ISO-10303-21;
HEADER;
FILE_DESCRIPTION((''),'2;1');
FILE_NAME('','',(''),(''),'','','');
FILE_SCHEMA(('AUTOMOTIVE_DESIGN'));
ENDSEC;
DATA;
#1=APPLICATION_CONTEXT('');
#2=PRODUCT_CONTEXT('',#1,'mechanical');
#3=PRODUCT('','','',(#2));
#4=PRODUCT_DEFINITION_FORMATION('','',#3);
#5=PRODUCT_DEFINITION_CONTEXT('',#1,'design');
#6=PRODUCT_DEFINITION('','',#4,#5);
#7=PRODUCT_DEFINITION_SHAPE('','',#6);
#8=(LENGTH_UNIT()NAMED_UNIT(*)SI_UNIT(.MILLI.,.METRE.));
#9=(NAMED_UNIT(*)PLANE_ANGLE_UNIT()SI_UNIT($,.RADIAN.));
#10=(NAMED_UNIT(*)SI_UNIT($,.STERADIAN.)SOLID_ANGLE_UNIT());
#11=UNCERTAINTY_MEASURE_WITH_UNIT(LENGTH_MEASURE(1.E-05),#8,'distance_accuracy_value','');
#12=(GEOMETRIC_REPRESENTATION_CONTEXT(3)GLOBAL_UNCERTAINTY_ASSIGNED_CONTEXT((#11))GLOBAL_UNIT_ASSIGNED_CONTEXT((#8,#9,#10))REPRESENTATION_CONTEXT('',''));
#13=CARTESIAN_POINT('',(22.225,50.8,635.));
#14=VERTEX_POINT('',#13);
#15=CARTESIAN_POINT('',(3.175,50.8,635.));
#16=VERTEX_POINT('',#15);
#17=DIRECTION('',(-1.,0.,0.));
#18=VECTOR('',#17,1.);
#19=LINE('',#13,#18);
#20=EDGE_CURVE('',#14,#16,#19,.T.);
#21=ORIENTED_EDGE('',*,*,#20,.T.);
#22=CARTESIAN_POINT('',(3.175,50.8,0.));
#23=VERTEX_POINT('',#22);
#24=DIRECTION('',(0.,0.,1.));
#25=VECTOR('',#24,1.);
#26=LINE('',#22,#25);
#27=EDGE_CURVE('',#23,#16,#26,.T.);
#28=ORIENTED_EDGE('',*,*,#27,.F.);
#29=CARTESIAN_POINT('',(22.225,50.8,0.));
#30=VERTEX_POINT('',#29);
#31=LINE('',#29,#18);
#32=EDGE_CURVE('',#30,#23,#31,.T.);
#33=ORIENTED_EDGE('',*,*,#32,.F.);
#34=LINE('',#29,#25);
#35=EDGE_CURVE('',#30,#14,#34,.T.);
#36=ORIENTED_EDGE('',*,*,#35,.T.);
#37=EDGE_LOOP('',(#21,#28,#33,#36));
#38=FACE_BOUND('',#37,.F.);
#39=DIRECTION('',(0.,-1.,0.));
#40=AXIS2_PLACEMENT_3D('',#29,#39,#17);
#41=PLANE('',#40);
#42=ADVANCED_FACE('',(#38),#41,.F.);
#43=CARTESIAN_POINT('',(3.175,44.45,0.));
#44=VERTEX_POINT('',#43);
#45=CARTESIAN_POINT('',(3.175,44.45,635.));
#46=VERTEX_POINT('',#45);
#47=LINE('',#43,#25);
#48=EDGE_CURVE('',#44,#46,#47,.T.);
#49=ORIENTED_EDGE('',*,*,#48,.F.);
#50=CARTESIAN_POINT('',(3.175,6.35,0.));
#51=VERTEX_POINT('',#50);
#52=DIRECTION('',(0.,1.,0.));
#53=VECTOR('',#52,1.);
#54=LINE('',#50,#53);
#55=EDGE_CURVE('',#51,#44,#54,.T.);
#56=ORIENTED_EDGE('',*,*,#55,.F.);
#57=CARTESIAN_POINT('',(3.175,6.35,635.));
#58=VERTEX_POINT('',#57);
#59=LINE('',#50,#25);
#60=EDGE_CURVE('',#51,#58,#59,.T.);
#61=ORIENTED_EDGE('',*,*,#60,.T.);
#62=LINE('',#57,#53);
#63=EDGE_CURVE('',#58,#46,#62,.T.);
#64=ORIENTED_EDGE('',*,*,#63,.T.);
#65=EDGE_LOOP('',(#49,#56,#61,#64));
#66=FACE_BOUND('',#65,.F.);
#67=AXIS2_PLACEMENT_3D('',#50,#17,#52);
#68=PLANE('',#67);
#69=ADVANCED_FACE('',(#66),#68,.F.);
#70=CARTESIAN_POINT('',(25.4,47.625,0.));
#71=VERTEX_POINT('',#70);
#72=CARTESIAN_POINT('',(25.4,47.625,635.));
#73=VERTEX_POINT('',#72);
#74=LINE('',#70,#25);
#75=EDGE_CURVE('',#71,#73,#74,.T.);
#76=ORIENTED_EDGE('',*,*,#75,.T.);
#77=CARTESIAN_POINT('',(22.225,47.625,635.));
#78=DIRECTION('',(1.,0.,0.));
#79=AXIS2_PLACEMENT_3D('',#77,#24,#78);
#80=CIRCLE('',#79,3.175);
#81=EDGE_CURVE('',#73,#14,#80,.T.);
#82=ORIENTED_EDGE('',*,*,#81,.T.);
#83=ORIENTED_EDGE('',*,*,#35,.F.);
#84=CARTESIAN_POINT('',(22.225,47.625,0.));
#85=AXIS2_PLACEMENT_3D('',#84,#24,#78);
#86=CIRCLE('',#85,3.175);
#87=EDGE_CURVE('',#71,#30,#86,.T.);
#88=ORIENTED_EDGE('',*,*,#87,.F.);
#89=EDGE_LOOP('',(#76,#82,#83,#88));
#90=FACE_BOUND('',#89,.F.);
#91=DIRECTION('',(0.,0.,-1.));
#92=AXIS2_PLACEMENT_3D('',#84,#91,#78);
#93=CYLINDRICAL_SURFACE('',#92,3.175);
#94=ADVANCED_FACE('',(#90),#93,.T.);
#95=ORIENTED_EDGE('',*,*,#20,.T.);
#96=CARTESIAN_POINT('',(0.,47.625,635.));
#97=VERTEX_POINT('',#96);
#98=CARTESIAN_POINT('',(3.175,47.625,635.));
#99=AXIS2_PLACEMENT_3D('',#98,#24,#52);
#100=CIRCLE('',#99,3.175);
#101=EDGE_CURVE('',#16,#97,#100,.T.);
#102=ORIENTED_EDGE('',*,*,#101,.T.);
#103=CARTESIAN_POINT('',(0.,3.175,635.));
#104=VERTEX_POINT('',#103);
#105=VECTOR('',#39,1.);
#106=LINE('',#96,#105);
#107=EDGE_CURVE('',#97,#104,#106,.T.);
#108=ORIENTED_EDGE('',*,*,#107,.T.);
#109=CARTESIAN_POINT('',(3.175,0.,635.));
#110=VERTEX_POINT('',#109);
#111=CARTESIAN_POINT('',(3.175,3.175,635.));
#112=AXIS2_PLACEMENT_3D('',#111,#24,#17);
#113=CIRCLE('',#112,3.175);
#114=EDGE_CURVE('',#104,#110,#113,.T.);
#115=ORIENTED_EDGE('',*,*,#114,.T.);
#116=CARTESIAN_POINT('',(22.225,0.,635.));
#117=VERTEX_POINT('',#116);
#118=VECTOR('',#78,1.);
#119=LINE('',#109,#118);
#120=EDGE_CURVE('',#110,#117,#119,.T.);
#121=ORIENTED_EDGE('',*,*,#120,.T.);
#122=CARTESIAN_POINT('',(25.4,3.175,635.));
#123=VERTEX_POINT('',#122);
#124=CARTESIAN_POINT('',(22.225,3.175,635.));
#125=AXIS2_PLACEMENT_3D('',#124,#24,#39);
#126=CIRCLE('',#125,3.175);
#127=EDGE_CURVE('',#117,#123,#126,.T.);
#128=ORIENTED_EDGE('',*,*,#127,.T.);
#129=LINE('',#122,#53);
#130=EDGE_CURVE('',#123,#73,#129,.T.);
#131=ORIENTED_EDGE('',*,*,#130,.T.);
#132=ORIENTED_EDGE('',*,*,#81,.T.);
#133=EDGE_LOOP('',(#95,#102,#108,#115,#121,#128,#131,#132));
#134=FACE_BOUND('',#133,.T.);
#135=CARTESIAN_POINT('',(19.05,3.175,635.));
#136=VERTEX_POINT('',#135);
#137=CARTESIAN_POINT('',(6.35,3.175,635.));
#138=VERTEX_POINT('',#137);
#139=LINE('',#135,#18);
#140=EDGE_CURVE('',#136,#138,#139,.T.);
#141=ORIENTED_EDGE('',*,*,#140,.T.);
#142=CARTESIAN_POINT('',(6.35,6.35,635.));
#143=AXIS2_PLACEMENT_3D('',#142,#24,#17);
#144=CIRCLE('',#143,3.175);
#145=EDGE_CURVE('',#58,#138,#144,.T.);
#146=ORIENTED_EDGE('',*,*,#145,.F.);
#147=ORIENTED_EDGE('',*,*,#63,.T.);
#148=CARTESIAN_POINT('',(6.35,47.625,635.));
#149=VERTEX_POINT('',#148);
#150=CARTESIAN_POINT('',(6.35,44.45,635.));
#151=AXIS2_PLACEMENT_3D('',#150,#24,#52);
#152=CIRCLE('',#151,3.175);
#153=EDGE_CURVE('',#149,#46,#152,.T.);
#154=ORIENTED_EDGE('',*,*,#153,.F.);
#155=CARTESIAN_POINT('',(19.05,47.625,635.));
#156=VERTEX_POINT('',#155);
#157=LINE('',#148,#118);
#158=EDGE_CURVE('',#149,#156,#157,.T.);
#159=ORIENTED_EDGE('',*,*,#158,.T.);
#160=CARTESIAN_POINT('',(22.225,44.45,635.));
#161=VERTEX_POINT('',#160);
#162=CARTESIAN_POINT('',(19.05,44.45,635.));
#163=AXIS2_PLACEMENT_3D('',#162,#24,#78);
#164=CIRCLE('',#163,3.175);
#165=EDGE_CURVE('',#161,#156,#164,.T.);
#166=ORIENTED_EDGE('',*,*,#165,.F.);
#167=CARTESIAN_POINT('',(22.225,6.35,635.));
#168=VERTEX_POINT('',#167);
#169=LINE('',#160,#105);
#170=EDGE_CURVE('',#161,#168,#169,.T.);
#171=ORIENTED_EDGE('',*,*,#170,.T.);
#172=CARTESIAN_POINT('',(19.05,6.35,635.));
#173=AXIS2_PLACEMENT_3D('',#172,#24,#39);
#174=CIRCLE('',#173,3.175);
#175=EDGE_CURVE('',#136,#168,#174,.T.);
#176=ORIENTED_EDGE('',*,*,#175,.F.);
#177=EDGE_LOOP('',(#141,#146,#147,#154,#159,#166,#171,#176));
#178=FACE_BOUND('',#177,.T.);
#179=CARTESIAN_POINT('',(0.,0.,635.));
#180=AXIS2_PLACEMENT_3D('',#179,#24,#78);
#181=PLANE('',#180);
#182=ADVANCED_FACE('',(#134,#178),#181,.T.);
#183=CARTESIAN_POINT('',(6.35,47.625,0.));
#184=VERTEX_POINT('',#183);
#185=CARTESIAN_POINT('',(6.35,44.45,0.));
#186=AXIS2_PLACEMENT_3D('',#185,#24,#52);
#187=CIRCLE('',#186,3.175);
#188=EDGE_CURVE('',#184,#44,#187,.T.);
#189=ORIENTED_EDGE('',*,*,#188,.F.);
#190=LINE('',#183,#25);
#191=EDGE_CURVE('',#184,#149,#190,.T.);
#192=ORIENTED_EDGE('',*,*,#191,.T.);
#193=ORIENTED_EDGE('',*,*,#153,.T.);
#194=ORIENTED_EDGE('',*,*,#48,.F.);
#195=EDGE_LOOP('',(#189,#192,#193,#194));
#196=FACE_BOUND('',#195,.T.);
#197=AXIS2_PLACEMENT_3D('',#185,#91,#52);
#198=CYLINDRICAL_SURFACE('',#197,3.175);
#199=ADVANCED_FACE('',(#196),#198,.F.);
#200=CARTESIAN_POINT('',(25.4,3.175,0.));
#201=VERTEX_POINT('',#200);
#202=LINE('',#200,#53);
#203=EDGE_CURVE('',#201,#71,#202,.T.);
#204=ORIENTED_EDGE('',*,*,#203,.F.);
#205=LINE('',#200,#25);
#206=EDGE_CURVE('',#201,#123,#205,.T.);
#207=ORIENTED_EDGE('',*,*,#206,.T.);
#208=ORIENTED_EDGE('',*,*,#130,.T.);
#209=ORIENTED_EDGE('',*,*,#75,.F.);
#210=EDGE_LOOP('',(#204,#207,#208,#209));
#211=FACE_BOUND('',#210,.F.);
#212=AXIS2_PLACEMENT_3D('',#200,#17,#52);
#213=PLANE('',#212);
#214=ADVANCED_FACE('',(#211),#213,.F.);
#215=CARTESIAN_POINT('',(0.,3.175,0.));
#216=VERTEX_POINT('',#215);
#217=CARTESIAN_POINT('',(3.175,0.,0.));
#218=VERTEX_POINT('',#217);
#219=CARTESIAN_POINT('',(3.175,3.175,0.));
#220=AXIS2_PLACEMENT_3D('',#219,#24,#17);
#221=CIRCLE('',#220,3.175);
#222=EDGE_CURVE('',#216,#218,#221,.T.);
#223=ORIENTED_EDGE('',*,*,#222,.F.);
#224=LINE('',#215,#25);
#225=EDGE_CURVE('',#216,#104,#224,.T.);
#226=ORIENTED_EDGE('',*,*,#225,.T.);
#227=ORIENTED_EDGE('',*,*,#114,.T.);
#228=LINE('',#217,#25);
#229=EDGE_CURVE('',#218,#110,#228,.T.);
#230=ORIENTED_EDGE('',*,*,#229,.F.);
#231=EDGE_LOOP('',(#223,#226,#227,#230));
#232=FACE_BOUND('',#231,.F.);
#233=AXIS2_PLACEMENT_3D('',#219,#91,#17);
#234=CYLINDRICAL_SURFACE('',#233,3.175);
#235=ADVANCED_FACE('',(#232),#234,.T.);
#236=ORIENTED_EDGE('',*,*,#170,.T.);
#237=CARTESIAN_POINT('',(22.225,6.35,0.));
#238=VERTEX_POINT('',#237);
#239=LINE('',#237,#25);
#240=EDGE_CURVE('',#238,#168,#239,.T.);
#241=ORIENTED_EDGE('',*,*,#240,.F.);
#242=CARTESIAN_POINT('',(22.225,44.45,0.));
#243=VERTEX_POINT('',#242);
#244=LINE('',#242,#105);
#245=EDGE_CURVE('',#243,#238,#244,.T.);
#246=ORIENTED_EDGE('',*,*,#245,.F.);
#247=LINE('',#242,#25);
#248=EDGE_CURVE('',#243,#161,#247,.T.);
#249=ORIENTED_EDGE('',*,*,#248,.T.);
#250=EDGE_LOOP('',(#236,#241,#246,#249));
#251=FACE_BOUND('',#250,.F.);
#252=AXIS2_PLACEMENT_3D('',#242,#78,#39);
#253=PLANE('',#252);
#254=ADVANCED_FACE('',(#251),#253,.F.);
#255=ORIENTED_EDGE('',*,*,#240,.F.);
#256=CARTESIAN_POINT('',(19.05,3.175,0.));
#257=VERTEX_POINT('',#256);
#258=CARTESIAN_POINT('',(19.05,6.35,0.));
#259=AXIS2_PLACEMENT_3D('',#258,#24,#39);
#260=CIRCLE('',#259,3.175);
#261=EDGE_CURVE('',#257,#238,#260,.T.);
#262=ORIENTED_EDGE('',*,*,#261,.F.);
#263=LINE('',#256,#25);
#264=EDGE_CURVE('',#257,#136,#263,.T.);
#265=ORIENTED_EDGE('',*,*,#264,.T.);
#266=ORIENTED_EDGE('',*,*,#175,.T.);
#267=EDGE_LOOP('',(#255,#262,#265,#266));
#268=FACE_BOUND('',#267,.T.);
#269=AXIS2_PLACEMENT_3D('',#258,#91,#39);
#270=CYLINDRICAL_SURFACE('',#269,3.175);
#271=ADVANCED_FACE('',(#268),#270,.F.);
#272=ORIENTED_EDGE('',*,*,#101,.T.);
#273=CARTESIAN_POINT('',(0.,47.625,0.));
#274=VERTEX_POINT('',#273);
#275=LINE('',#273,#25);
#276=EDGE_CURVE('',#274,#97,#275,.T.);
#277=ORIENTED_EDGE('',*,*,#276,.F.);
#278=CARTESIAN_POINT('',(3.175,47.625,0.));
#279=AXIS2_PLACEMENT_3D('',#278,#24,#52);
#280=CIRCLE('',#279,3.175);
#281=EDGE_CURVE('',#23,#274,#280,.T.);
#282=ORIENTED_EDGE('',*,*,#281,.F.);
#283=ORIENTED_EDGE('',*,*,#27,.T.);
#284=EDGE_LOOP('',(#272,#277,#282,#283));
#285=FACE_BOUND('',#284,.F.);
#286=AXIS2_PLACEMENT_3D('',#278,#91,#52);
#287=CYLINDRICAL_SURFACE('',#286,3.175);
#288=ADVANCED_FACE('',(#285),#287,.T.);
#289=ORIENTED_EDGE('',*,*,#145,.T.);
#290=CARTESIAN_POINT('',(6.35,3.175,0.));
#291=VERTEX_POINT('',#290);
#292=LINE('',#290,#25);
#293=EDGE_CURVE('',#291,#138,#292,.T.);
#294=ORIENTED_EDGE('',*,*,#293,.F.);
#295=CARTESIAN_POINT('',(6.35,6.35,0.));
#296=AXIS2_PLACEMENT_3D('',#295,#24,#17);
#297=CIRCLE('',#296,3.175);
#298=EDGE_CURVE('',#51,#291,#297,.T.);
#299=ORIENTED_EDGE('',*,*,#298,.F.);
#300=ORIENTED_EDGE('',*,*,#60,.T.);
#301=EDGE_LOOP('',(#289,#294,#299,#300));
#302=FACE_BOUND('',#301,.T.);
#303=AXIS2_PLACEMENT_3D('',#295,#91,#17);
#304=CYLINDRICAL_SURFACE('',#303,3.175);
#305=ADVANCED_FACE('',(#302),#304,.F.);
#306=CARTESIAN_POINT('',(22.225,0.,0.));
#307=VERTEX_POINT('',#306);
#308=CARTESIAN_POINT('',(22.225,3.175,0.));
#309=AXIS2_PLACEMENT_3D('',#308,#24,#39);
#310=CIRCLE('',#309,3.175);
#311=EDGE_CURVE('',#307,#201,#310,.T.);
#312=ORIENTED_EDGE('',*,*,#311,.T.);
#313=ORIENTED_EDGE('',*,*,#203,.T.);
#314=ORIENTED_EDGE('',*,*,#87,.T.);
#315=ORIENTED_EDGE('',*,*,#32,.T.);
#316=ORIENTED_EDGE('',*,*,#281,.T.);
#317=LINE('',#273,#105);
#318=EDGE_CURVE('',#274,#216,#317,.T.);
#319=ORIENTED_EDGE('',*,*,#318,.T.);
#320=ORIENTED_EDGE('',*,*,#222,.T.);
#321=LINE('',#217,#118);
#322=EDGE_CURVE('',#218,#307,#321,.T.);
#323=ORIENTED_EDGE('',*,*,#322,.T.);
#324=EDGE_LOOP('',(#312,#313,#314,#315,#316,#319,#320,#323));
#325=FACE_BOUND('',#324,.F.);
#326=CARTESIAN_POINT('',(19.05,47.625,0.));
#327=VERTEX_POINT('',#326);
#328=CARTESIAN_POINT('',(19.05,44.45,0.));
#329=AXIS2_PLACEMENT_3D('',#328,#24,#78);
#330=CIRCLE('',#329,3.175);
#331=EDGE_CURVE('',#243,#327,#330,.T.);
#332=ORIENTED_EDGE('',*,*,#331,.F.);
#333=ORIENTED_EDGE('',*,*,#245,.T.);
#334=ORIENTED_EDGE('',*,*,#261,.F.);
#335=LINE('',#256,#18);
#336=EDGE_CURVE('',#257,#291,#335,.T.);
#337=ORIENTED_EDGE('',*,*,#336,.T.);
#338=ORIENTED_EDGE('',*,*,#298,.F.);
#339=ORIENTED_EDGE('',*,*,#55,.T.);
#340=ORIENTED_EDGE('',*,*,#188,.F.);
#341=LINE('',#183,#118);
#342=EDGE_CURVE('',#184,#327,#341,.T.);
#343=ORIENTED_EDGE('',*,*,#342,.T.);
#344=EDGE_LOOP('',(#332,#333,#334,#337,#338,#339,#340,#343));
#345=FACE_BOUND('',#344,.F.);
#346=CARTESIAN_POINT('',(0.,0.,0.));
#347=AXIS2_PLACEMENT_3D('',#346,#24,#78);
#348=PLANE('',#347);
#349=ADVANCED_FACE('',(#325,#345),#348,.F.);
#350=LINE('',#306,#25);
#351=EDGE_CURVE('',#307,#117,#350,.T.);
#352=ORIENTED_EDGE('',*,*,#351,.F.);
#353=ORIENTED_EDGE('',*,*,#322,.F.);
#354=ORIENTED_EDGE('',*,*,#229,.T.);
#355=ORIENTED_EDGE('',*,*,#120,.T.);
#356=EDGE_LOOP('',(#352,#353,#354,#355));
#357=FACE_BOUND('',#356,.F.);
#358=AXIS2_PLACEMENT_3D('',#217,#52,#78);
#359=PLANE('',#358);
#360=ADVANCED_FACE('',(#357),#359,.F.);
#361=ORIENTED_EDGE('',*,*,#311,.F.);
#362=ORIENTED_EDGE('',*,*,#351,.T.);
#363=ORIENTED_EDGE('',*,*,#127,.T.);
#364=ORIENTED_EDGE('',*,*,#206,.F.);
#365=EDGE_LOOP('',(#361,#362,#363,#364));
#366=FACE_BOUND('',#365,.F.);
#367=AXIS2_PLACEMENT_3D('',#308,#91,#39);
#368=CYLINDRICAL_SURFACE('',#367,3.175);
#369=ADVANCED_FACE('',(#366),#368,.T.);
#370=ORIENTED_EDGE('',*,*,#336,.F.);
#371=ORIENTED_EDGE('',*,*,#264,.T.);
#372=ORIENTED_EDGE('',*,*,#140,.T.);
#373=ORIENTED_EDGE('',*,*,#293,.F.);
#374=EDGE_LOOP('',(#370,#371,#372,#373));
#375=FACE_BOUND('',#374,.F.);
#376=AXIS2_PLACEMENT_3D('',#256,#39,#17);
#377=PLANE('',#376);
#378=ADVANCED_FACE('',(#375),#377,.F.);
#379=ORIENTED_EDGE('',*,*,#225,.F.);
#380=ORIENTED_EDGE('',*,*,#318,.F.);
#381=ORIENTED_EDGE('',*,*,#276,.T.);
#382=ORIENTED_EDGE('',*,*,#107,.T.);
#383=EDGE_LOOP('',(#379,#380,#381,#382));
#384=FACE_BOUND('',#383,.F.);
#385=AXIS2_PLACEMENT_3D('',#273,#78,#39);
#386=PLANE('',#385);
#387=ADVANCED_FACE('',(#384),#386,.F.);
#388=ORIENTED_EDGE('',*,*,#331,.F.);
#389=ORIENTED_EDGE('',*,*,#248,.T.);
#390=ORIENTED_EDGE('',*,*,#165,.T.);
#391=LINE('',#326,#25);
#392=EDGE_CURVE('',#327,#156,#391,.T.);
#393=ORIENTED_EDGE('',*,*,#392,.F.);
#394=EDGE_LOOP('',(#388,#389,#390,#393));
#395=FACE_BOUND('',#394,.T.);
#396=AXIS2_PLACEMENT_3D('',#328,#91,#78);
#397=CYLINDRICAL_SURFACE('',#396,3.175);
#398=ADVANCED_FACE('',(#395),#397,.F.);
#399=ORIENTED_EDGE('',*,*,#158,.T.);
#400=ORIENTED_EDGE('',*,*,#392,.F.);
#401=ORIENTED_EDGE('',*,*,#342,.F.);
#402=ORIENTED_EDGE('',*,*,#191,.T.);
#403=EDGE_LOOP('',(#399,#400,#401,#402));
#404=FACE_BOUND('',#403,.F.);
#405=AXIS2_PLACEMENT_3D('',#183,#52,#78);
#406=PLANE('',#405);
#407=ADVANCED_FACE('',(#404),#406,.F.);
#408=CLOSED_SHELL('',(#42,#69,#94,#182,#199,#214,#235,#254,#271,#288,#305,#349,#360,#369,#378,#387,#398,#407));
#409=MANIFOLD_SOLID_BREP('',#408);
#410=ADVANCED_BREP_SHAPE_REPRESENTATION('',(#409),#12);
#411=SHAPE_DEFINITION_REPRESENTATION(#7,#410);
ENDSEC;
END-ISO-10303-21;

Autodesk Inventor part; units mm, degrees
ref_plane "YZ Plane" through (0, 0, 0) normal (1, 0, 0) x (0, 1, 0)
ref_plane "XZ Plane" through (0, 0, 0) normal (0, 1, 0) x (-1, 0, 0)
ref_plane "XY Plane" through (0, 0, 0) normal (0, 0, 1) x (1, 0, 0)
sketch "Sketch1" plane through (0, 0, 0) normal (0, 0, 1) x (1, 0, 0)
  line L0 (3.175, 0) -> (22.225, 0)
  line L1 (25.4, 3.175) -> (25.4, 47.625)
  line L2 (22.225, 50.8) -> (3.175, 50.8)
  line L3 (0, 47.625) -> (0, 3.175)
  arc A0 (3.175, 50.8) -> (0, 47.625) centre (3.175, 47.625) ccw
  arc A1 (25.4, 47.625) -> (22.225, 50.8) centre (22.225, 47.625) ccw
  arc A2 (22.225, 0) -> (25.4, 3.175) centre (22.225, 3.175) ccw
  arc A3 (0, 3.175) -> (3.175, 0) centre (3.175, 3.175) ccw
  line L4 (6.35, 47.625) -> (19.05, 47.625)
  line L5 (22.225, 44.45) -> (22.225, 6.35)
  line L6 (19.05, 3.175) -> (6.35, 3.175)
  line L7 (3.175, 6.35) -> (3.175, 44.45)
  arc A4 (6.35, 47.625) -> (3.175, 44.45) centre (6.35, 44.45) ccw
  arc A5 (22.225, 44.45) -> (19.05, 47.625) centre (19.05, 44.45) ccw
  arc A6 (3.175, 6.35) -> (6.35, 3.175) centre (6.35, 6.35) ccw
  arc A7 (19.05, 3.175) -> (22.225, 6.35) centre (19.05, 6.35) ccw
  point P0 (0, 0)
  point P1 (25.4, 0)
  point P2 (0, 50.8)
  dimension "d0" = 50.8
  dimension "d1" = 25.4
  dimension "d2" = 3.175
  dimension "d3" = 3.175
  dimension "d4" = 3.175
  dimension "d5" = 3.175
  dimension "d6" = 3.175
  dimension "d7" = 3.175
  dimension "d8" = 3.175
  dimension "d9" = 3.175
  dimension "d10" = 3.175
extrude "Extrusion1" add sketch "Sketch1" along normal blind 635
properties part number "O channel 25 inch"
